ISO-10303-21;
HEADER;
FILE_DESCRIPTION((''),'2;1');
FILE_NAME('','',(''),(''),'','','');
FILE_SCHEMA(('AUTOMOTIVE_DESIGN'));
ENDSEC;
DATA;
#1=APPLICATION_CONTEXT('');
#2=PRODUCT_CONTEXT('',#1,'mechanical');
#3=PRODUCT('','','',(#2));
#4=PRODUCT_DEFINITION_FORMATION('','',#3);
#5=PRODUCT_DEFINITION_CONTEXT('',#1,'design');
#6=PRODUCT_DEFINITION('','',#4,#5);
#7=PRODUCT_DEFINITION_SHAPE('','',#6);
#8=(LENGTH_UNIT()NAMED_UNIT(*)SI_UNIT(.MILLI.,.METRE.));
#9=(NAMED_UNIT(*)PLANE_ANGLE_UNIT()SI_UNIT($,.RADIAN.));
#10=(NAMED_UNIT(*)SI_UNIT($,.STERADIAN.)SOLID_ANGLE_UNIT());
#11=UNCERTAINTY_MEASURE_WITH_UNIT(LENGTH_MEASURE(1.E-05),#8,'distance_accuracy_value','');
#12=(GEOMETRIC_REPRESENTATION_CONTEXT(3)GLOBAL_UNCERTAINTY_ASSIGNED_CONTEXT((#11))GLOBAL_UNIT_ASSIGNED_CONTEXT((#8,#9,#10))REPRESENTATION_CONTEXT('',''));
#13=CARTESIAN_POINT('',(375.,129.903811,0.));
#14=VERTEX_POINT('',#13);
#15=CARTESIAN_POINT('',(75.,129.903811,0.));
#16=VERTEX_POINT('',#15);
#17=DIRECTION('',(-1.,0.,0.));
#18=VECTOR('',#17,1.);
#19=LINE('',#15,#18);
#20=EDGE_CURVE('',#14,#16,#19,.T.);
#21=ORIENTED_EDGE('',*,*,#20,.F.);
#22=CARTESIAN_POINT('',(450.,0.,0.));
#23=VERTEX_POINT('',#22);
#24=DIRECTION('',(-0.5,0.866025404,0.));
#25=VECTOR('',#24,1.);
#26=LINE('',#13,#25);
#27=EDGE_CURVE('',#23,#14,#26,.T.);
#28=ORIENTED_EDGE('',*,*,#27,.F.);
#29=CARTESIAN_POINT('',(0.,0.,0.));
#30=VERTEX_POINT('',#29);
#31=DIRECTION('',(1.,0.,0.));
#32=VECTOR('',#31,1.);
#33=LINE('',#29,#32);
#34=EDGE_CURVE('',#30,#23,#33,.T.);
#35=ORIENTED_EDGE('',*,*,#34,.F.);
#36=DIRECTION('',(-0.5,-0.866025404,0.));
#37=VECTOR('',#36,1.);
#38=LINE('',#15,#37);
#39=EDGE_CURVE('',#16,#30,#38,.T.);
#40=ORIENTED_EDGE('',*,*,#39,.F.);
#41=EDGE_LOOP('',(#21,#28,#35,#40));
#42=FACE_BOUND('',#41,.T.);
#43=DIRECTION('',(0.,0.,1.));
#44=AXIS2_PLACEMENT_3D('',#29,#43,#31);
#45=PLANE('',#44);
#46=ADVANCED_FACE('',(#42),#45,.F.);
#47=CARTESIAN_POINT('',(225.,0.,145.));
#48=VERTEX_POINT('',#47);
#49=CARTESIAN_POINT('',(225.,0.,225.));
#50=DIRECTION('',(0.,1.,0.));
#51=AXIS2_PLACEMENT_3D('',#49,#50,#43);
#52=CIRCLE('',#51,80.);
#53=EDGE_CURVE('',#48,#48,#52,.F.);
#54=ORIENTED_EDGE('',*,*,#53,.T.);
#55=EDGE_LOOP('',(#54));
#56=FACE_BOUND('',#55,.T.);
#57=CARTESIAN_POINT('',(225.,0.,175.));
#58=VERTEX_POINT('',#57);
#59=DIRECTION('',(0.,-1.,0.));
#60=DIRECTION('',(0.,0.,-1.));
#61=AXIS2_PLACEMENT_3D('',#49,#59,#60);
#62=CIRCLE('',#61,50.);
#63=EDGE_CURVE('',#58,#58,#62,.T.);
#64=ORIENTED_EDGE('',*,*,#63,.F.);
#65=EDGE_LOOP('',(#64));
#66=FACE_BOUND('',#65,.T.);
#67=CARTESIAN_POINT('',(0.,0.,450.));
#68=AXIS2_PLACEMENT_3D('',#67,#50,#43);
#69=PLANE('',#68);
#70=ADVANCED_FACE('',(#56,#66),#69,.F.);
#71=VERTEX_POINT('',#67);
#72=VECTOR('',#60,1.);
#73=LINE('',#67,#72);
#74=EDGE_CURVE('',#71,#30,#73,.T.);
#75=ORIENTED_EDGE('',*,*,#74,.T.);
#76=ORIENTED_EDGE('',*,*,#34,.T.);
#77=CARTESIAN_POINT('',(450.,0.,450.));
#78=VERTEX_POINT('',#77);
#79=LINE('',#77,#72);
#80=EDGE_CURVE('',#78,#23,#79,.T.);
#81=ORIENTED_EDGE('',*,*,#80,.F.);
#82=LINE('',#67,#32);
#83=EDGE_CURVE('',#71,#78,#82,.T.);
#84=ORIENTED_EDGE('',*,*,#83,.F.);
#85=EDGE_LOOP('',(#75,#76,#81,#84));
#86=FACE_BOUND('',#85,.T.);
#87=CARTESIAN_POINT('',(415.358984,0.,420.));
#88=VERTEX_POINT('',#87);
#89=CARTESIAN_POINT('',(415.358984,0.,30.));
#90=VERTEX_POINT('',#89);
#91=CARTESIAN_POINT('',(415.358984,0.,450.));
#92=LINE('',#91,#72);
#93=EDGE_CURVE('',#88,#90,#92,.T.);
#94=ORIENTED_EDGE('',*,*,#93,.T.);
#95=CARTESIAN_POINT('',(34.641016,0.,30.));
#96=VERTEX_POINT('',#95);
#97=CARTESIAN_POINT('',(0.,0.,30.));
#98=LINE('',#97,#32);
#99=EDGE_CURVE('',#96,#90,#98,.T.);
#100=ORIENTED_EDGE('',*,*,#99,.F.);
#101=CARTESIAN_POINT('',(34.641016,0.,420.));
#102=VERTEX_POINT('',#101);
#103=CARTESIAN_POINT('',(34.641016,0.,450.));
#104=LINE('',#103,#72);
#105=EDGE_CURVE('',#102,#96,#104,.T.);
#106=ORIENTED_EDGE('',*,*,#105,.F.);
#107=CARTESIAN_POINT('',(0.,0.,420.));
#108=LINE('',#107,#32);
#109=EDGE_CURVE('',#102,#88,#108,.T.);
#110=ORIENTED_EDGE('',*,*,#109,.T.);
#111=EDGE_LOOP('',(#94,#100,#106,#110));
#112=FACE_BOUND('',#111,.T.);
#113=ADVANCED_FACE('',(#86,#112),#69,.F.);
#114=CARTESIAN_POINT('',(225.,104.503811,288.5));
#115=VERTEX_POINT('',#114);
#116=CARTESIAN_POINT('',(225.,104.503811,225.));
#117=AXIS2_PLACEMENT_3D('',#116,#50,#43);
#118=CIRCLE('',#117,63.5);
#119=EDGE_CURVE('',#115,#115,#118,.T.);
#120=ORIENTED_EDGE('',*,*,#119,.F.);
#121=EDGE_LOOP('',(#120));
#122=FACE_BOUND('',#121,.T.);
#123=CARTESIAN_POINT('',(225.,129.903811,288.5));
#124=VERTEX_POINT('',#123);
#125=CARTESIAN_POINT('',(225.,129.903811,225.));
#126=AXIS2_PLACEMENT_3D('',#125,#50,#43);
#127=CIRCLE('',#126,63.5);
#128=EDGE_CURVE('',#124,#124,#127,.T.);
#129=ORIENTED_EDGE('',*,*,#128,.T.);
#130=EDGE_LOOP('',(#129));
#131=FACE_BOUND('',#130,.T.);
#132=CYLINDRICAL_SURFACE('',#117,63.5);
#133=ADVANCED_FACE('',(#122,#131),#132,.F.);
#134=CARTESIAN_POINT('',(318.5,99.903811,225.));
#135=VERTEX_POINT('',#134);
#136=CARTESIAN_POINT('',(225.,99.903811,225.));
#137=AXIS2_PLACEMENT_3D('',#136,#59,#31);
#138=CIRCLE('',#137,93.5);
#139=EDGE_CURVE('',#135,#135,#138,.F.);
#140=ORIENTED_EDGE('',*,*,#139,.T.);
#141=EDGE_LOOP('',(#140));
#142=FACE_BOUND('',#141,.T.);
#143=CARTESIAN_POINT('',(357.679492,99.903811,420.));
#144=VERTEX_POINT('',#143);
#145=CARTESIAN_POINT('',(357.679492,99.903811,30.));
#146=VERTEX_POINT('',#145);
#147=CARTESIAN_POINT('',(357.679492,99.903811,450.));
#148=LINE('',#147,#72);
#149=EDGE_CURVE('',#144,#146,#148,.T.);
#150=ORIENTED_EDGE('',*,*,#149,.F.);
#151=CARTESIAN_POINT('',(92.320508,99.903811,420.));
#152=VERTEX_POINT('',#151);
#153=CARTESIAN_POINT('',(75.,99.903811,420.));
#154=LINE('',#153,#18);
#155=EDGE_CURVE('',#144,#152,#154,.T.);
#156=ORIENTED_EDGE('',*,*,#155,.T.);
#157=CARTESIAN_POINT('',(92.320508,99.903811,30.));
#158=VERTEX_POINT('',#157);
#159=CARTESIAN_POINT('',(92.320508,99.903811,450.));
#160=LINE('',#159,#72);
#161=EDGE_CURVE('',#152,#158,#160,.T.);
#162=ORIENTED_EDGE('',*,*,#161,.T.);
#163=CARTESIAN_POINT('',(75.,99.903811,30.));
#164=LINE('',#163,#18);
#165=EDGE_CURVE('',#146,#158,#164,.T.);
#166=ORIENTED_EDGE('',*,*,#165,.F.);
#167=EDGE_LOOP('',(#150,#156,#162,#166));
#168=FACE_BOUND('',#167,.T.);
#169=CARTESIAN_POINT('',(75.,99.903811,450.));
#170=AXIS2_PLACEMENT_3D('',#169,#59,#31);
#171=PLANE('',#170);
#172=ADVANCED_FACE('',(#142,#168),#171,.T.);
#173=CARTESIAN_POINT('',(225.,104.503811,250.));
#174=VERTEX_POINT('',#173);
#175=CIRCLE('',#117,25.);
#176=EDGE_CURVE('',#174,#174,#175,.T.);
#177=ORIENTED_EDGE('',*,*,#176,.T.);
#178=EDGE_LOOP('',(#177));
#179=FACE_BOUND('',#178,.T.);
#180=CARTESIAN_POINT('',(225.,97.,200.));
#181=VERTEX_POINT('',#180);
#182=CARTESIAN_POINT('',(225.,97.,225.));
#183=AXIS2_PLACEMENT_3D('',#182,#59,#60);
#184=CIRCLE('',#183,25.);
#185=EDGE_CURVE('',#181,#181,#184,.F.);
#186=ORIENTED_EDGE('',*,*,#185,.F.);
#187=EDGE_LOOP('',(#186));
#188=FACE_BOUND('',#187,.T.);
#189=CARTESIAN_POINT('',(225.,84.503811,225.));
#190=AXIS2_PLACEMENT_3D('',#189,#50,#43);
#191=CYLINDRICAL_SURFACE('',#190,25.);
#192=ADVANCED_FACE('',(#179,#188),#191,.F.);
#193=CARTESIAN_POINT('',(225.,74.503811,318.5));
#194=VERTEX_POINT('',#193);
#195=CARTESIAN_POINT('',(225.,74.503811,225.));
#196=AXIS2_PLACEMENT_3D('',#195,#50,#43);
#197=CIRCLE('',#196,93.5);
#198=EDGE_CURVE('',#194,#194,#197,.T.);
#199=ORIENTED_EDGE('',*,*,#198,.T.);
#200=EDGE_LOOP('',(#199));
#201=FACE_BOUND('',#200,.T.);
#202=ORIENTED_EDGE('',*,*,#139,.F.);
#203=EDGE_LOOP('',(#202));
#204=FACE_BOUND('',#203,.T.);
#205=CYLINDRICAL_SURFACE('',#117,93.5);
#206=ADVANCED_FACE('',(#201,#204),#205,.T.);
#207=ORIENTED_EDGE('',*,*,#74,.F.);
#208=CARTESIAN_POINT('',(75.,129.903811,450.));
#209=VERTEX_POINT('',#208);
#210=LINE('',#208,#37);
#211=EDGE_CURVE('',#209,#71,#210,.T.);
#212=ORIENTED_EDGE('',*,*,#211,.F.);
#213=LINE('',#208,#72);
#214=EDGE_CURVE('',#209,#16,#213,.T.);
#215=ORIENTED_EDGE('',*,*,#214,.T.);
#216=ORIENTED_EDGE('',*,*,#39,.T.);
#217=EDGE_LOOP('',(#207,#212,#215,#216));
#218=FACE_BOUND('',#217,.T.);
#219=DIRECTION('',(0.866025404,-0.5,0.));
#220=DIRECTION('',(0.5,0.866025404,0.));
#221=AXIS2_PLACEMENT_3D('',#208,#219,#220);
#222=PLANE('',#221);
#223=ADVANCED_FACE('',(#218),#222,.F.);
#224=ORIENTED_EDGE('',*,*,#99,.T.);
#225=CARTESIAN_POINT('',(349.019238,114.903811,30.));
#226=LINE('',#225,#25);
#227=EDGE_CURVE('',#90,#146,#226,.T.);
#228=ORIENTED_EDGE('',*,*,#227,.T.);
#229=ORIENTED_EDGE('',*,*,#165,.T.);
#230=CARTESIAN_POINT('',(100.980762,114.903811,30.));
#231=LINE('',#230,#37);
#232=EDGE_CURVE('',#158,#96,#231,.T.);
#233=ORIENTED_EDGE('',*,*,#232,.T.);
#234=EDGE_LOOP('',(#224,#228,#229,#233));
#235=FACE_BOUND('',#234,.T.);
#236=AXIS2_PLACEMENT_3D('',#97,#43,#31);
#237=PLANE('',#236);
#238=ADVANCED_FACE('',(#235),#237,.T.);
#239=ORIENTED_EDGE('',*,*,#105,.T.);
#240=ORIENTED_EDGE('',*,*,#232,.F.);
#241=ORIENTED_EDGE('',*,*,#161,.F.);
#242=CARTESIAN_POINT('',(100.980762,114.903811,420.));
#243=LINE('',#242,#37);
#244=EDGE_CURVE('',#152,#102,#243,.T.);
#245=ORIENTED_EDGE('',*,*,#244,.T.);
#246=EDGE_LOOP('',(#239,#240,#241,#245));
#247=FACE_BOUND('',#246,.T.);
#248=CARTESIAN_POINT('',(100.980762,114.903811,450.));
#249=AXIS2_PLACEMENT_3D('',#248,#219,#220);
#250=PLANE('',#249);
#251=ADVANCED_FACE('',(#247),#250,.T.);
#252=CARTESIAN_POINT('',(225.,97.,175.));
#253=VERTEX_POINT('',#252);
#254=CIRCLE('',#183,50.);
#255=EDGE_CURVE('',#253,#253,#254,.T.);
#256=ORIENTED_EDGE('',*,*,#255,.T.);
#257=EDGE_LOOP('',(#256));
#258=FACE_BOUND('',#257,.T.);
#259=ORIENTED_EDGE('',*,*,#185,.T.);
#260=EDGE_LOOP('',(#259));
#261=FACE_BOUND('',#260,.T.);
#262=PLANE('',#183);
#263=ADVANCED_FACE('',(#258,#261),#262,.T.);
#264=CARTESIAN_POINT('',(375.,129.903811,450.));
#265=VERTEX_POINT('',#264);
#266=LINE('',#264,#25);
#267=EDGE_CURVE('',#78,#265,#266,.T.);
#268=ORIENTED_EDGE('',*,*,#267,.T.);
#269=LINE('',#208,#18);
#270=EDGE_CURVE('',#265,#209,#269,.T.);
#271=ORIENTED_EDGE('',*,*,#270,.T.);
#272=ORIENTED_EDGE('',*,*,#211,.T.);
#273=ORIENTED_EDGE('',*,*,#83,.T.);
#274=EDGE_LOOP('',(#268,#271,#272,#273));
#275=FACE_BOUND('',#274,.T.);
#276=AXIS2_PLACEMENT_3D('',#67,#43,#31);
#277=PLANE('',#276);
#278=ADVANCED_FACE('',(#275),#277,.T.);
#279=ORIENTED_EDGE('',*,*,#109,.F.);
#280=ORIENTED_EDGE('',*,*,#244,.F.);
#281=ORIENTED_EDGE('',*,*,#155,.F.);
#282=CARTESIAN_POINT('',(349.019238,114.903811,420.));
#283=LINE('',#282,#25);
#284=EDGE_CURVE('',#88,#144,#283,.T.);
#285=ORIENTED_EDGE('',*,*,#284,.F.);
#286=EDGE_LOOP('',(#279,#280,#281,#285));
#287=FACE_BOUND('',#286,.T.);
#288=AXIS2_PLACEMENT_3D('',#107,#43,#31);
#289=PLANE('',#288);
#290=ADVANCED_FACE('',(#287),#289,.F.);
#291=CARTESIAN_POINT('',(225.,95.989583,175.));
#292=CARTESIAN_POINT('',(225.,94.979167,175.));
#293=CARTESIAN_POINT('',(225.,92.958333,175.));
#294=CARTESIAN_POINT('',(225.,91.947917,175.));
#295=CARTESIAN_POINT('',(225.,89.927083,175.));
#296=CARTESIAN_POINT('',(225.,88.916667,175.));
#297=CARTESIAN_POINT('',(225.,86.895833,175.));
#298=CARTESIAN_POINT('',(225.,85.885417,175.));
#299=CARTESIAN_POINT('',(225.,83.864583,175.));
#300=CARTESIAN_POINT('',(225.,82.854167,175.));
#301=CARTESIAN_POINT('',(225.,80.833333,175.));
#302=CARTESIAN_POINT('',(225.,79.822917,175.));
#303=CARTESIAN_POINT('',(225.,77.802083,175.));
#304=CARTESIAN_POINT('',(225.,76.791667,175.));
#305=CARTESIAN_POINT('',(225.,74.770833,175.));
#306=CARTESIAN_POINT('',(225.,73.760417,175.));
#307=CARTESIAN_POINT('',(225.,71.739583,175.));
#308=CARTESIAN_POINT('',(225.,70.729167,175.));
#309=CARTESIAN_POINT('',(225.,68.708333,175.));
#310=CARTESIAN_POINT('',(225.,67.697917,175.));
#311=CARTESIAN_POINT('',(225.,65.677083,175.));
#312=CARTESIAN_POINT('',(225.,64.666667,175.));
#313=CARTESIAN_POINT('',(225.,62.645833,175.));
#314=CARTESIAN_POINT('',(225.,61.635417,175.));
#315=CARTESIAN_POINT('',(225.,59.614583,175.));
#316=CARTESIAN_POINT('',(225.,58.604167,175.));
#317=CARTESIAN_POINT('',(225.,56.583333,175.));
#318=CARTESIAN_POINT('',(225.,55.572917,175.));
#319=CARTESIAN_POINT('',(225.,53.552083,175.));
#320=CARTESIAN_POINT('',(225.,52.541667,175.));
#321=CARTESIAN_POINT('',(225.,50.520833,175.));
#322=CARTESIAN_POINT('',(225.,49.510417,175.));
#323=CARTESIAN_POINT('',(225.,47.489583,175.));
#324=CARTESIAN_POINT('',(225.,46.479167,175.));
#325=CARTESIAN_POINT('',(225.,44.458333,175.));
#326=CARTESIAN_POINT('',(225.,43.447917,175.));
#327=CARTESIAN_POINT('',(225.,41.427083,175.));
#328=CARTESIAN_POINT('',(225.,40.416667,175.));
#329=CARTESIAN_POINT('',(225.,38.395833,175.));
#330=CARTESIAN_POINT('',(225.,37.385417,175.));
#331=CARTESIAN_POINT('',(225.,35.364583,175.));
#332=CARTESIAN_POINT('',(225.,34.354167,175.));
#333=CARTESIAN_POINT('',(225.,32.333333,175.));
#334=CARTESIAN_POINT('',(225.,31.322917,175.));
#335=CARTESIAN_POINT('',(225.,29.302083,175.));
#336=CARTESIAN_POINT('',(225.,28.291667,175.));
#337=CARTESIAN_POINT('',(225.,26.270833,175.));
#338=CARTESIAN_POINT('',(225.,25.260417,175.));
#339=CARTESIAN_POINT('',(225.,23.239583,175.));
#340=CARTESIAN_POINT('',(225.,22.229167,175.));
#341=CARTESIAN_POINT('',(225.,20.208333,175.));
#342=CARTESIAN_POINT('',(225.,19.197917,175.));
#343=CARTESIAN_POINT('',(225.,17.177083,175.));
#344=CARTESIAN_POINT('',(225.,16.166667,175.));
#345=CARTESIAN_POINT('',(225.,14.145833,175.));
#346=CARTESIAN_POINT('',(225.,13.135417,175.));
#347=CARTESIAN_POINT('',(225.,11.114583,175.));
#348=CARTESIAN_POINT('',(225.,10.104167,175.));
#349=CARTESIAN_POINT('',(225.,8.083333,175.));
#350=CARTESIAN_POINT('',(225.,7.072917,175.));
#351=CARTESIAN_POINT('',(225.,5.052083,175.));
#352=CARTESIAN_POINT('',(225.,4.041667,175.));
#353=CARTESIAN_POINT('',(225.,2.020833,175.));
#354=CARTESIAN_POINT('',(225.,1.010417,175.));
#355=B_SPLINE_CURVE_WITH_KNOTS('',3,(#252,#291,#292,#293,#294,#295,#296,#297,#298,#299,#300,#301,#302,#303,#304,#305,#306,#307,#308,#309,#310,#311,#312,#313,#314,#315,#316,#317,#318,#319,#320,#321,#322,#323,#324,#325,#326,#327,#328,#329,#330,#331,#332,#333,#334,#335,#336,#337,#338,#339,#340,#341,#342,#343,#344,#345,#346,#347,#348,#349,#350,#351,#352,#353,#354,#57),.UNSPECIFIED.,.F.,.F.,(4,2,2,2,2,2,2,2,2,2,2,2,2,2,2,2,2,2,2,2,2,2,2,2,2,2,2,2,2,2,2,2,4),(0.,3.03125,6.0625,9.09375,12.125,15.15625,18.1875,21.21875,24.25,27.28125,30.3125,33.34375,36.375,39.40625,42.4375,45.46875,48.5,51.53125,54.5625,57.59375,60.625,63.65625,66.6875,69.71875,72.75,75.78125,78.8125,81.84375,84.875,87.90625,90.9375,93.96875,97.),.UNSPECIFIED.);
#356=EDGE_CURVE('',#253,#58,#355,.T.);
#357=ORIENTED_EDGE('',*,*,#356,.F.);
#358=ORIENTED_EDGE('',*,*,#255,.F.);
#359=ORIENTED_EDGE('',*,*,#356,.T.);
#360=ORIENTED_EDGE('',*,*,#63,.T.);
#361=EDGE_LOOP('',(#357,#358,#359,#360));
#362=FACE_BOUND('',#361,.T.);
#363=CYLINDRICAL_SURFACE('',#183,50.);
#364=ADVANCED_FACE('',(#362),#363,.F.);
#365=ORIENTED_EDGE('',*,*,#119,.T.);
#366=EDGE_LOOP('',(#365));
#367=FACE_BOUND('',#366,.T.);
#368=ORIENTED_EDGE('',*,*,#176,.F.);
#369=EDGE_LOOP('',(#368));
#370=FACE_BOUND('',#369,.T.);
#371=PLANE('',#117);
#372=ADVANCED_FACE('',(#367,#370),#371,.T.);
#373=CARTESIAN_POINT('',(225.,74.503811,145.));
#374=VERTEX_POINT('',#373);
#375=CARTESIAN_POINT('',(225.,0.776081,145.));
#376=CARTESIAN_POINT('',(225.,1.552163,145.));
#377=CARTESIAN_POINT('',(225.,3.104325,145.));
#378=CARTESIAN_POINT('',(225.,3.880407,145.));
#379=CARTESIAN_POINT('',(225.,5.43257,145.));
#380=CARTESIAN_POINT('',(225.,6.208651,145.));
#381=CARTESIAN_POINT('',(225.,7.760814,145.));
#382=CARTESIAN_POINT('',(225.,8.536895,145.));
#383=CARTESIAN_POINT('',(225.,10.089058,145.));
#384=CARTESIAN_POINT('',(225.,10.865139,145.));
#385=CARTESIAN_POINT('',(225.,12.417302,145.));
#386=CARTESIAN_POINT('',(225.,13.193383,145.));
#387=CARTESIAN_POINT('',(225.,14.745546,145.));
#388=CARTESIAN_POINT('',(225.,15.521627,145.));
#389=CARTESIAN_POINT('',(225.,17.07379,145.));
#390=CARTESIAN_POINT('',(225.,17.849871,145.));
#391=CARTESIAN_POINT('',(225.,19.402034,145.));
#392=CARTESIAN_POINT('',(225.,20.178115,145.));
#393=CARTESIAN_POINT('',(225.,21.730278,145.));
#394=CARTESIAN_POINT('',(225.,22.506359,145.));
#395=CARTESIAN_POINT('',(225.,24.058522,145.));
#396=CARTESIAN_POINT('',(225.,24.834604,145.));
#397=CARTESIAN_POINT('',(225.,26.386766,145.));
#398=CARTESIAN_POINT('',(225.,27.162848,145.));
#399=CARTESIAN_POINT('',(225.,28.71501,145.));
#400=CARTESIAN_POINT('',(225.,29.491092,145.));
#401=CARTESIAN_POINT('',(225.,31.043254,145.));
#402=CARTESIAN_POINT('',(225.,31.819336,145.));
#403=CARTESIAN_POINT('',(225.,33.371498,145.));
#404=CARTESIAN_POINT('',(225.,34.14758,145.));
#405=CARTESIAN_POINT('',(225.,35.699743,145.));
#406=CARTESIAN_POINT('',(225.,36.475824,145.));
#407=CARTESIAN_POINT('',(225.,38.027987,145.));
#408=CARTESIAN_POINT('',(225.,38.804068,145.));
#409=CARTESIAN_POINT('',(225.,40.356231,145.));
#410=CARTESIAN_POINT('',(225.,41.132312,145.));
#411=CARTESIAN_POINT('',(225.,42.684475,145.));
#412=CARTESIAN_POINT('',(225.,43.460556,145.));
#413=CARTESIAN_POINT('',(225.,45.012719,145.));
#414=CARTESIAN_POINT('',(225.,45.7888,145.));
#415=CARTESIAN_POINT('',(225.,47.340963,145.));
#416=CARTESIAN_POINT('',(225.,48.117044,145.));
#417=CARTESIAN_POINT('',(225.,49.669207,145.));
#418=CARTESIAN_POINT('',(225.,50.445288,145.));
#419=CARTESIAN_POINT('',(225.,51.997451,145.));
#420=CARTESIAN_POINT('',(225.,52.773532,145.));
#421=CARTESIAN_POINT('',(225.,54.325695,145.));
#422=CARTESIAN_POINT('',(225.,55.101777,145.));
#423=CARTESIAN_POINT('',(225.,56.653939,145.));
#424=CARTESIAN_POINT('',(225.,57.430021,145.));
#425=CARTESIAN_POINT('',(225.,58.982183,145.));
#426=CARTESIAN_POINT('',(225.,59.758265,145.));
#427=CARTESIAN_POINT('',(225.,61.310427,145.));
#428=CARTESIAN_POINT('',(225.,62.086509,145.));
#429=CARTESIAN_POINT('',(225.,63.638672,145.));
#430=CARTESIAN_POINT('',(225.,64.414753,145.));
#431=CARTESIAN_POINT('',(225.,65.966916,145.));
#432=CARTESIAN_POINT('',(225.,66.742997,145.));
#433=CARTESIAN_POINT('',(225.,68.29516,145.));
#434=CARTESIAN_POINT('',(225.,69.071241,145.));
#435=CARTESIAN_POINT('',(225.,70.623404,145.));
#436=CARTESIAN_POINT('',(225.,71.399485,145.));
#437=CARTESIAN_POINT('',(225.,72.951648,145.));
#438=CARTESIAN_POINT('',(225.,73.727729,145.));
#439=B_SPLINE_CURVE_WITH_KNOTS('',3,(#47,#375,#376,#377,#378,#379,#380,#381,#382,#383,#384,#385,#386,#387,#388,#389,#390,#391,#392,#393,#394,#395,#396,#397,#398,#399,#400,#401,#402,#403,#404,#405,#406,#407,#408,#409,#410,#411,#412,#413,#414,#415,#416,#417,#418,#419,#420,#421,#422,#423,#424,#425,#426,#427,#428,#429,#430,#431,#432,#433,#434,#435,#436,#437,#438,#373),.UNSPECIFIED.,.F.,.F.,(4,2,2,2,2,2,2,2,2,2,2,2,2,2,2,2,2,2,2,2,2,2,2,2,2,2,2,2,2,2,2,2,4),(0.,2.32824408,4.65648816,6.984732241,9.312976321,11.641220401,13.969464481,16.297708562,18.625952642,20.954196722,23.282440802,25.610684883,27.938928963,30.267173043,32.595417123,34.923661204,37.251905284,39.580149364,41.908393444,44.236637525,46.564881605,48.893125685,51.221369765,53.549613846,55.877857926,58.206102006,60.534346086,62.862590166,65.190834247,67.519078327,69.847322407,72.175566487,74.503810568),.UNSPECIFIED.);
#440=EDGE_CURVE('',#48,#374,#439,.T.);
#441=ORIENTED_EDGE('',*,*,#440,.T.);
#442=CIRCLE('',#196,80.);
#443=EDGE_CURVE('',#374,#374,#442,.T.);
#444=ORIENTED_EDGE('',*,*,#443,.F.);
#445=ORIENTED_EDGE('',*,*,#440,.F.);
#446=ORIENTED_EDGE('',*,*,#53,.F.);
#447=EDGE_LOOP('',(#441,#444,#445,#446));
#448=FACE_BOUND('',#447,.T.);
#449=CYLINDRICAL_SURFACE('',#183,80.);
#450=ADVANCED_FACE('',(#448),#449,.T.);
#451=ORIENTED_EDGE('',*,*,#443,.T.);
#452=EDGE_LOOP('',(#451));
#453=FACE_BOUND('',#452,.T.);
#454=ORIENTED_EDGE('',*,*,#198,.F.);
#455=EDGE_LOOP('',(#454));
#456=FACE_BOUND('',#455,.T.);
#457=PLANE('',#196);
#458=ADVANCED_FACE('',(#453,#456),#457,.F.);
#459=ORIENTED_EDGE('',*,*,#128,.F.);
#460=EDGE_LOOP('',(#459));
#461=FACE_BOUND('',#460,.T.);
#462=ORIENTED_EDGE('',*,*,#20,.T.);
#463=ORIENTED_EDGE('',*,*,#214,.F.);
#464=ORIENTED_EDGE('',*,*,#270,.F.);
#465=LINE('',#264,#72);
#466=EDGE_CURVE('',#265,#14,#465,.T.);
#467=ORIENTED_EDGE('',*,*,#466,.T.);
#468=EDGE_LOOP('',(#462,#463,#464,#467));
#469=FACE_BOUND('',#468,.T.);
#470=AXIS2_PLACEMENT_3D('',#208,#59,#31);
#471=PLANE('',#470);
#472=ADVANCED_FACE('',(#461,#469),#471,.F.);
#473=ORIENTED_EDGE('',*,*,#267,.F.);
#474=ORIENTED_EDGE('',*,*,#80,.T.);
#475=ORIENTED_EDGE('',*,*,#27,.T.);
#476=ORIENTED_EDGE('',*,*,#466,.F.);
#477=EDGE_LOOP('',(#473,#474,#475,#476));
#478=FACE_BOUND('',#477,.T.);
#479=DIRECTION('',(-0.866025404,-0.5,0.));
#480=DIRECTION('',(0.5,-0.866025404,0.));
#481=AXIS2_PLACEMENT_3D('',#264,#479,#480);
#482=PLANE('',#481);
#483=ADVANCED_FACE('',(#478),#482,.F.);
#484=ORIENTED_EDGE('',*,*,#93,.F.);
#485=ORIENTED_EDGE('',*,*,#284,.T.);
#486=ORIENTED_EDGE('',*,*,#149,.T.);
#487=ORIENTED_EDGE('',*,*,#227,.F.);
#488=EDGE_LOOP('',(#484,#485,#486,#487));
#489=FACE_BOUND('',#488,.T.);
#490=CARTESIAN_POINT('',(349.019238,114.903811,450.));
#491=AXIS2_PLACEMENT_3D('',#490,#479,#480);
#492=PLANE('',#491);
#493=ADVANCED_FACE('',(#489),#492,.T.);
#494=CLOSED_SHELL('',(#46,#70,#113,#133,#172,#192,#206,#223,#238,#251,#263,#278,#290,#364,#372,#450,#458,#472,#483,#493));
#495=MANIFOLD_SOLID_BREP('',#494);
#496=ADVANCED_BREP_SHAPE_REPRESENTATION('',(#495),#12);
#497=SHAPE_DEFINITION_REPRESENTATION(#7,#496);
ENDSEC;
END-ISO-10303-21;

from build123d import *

# Parameters (mm, degrees)
BOSS_EXTRU_1_DEPTH      = 450
ESQUISSE3_R             = 63.5
ENL_V_MAT_EXTRU_1_DEPTH = 25.4
ESQUISSE4_R             = 25
ENL_V_MAT_EXTRU_2_DEPTH = 20
ESQUISSE2_R             = 50
ENL_V_MAT_EXTRU_3_DEPTH = 97
COQUE1_T                = -30


with BuildPart() as part:
    # Esquisse1 → Boss.-Extru.1 (new body)
    with BuildSketch(Plane.XY):
        Polygon((75, 129.903810568), (375, 129.903810568), (450, 0), (0, 0), align=None)
    extrude(amount=BOSS_EXTRU_1_DEPTH)

    # Esquisse3 → Enlèv. mat.-Extru.1 (cut)
    with BuildSketch(Plane(origin=(0, 129.903810568, 0), x_dir=(1, 0, 0), z_dir=(0, 1, 0))):
        with Locations(Location((225, -225, 0), (0, 0, 270))):
            Circle(ESQUISSE3_R)
    extrude(amount=-ENL_V_MAT_EXTRU_1_DEPTH, mode=Mode.SUBTRACT)

    # Esquisse4 → Enlèv. mat.-Extru.2 (cut)
    with BuildSketch(Plane(origin=(0, 104.503810568, 0), x_dir=(1, 0, 0), z_dir=(0, 1, 0))):
        with Locations(Location((225, -225, 0), (0, 0, 270))):
            Circle(ESQUISSE4_R)
    extrude(amount=-ENL_V_MAT_EXTRU_2_DEPTH, mode=Mode.SUBTRACT)

    # Esquisse2 → Enlèv. mat.-Extru.3 (cut)
    with BuildSketch(Plane.XZ):
        with Locations(Location((225, 225, 0), (0, 0, 270))):
            Circle(ESQUISSE2_R)
    extrude(amount=-ENL_V_MAT_EXTRU_3_DEPTH, mode=Mode.SUBTRACT)

    # Coque1
    coque1_openings = [part.faces().sort_by_distance(p)[0] for p in [
        (443.636038969, 0, 225),
    ]]
    offset(amount=COQUE1_T, openings=coque1_openings, kind=Kind.INTERSECTION)


solid = part.part
